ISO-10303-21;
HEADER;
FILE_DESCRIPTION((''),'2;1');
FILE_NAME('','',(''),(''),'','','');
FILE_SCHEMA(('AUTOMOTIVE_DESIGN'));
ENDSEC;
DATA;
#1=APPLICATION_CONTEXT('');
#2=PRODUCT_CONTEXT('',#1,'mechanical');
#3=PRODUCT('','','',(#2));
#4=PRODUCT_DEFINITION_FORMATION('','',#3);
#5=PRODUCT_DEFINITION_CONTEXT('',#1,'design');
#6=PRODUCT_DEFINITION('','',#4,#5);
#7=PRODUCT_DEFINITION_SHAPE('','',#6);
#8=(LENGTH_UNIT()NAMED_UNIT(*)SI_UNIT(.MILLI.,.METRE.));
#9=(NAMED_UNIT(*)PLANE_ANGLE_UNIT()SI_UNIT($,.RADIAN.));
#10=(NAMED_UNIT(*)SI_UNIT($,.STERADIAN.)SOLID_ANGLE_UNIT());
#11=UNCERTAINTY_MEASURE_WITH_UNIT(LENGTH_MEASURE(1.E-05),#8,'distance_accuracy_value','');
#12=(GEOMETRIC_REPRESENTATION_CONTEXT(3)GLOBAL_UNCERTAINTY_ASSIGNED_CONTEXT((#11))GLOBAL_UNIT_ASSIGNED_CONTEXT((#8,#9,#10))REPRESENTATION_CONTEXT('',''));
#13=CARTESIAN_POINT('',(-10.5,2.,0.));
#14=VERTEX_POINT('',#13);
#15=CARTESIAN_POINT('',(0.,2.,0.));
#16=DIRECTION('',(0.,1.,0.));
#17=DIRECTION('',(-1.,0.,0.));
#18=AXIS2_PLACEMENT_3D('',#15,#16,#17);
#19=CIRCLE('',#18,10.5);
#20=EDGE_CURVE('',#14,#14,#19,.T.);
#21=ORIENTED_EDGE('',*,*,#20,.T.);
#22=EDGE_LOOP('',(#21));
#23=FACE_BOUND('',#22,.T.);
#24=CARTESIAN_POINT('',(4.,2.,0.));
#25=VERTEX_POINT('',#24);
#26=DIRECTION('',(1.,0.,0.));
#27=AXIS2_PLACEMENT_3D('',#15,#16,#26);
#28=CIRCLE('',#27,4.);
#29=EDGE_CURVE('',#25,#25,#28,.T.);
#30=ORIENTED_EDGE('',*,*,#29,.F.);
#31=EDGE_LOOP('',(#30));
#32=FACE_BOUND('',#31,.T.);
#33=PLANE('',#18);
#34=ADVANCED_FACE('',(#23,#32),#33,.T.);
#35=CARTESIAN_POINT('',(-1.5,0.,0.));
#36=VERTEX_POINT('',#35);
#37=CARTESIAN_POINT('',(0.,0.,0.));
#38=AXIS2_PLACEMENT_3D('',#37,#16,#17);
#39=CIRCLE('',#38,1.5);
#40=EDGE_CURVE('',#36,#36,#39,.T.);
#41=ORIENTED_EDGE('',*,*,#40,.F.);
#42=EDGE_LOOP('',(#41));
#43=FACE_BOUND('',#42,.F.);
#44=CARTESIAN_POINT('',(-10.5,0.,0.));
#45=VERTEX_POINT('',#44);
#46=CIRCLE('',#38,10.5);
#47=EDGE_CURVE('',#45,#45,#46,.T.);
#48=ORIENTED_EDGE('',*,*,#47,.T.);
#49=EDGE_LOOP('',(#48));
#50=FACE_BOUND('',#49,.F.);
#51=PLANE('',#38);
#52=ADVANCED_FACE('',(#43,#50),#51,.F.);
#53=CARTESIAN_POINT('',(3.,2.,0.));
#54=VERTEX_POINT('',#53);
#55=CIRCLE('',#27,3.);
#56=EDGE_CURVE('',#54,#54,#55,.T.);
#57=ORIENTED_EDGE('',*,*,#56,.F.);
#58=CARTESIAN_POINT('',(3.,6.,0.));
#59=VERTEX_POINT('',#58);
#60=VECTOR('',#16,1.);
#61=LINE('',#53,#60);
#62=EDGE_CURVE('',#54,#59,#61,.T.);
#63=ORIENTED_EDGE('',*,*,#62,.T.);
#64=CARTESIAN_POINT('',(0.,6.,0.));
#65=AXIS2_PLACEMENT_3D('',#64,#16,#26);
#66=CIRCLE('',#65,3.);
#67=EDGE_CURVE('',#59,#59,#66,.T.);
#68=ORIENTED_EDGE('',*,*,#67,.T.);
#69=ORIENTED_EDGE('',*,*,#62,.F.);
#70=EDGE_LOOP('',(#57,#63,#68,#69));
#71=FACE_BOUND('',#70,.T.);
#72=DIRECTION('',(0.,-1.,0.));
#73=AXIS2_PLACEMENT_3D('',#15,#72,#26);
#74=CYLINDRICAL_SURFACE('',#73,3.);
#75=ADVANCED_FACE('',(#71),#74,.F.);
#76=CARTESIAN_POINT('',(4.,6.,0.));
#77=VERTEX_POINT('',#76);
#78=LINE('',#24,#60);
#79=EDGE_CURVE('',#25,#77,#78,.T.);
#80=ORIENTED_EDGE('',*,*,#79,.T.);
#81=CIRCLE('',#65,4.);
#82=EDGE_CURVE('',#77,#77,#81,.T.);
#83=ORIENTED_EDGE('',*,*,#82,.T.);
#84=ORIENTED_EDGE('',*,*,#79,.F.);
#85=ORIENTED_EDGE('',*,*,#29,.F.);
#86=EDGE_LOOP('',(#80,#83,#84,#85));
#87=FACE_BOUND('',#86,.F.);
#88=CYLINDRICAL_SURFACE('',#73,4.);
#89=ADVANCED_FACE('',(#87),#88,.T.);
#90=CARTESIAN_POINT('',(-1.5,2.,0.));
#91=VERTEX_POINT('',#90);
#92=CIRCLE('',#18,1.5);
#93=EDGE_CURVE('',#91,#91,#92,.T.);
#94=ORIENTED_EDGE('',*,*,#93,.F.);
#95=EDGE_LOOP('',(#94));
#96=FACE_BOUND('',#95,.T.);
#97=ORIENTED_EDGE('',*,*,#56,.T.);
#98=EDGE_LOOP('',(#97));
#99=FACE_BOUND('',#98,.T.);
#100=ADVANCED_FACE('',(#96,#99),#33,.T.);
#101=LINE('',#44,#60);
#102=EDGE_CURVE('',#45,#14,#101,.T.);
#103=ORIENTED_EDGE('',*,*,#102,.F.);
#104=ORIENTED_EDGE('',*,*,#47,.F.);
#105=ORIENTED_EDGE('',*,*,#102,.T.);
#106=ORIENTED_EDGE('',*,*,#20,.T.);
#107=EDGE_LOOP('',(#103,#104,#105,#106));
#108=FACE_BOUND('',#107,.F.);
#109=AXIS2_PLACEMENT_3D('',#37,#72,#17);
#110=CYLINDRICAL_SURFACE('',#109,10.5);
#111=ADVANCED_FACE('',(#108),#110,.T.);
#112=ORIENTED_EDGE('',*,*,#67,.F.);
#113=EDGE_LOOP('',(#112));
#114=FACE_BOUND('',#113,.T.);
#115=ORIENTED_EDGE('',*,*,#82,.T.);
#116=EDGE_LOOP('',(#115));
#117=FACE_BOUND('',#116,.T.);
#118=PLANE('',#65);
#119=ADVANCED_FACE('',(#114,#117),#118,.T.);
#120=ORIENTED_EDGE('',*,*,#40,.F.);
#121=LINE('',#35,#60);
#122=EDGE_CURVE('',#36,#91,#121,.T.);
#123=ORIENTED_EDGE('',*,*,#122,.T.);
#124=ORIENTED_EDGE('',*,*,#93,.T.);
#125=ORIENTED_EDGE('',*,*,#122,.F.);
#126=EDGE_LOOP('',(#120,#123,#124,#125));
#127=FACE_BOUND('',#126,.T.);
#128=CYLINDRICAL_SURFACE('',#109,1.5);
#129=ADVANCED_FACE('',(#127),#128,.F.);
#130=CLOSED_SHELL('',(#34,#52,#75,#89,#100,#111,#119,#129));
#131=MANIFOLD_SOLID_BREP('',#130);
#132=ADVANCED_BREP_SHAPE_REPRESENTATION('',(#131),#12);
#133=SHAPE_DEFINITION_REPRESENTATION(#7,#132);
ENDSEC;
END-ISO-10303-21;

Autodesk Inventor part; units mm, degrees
ref_plane "YZ Plane" through (0, 0, 0) normal (1, 0, 0) x (0, 1, 0)
ref_plane "XZ Plane" through (0, 0, 0) normal (0, 1, 0) x (-1, 0, 0)
ref_plane "XY Plane" through (0, 0, 0) normal (0, 0, 1) x (1, 0, 0)
sketch "Sketch1" plane through (0, 0, 0) normal (0, 1, 0) x (-1, 0, 0)
  circle A0 centre (0, 0) radius 10.5
  circle A1 centre (0, 0) radius 1.5
  dimension "d0" = 21
  dimension "d1" = 3
extrude "Extrusion1" add sketch "Sketch1" along normal blind 2
sketch "Sketch2" plane through (0, 2, 0) normal (0, 1, 0) x (1, 0, 0)
  point P0 (0, 0)
sketch "Sketch3" plane through (0, 2, 0) normal (0, 1, 0) x (1, 0, 0)
  circle A0 centre (0, 0) radius 10.5 projected
  circle A1 centre (0, 0) radius 1.5 projected
  circle A2 centre (0, 0) radius 4
  circle A3 centre (0, 0) radius 3
  dimension "d4" = 8
  dimension "d5" = 6
extrude "Extrusion2" add sketch "Sketch3" along normal blind 4 contours A2
properties part number "talirek_servo"
